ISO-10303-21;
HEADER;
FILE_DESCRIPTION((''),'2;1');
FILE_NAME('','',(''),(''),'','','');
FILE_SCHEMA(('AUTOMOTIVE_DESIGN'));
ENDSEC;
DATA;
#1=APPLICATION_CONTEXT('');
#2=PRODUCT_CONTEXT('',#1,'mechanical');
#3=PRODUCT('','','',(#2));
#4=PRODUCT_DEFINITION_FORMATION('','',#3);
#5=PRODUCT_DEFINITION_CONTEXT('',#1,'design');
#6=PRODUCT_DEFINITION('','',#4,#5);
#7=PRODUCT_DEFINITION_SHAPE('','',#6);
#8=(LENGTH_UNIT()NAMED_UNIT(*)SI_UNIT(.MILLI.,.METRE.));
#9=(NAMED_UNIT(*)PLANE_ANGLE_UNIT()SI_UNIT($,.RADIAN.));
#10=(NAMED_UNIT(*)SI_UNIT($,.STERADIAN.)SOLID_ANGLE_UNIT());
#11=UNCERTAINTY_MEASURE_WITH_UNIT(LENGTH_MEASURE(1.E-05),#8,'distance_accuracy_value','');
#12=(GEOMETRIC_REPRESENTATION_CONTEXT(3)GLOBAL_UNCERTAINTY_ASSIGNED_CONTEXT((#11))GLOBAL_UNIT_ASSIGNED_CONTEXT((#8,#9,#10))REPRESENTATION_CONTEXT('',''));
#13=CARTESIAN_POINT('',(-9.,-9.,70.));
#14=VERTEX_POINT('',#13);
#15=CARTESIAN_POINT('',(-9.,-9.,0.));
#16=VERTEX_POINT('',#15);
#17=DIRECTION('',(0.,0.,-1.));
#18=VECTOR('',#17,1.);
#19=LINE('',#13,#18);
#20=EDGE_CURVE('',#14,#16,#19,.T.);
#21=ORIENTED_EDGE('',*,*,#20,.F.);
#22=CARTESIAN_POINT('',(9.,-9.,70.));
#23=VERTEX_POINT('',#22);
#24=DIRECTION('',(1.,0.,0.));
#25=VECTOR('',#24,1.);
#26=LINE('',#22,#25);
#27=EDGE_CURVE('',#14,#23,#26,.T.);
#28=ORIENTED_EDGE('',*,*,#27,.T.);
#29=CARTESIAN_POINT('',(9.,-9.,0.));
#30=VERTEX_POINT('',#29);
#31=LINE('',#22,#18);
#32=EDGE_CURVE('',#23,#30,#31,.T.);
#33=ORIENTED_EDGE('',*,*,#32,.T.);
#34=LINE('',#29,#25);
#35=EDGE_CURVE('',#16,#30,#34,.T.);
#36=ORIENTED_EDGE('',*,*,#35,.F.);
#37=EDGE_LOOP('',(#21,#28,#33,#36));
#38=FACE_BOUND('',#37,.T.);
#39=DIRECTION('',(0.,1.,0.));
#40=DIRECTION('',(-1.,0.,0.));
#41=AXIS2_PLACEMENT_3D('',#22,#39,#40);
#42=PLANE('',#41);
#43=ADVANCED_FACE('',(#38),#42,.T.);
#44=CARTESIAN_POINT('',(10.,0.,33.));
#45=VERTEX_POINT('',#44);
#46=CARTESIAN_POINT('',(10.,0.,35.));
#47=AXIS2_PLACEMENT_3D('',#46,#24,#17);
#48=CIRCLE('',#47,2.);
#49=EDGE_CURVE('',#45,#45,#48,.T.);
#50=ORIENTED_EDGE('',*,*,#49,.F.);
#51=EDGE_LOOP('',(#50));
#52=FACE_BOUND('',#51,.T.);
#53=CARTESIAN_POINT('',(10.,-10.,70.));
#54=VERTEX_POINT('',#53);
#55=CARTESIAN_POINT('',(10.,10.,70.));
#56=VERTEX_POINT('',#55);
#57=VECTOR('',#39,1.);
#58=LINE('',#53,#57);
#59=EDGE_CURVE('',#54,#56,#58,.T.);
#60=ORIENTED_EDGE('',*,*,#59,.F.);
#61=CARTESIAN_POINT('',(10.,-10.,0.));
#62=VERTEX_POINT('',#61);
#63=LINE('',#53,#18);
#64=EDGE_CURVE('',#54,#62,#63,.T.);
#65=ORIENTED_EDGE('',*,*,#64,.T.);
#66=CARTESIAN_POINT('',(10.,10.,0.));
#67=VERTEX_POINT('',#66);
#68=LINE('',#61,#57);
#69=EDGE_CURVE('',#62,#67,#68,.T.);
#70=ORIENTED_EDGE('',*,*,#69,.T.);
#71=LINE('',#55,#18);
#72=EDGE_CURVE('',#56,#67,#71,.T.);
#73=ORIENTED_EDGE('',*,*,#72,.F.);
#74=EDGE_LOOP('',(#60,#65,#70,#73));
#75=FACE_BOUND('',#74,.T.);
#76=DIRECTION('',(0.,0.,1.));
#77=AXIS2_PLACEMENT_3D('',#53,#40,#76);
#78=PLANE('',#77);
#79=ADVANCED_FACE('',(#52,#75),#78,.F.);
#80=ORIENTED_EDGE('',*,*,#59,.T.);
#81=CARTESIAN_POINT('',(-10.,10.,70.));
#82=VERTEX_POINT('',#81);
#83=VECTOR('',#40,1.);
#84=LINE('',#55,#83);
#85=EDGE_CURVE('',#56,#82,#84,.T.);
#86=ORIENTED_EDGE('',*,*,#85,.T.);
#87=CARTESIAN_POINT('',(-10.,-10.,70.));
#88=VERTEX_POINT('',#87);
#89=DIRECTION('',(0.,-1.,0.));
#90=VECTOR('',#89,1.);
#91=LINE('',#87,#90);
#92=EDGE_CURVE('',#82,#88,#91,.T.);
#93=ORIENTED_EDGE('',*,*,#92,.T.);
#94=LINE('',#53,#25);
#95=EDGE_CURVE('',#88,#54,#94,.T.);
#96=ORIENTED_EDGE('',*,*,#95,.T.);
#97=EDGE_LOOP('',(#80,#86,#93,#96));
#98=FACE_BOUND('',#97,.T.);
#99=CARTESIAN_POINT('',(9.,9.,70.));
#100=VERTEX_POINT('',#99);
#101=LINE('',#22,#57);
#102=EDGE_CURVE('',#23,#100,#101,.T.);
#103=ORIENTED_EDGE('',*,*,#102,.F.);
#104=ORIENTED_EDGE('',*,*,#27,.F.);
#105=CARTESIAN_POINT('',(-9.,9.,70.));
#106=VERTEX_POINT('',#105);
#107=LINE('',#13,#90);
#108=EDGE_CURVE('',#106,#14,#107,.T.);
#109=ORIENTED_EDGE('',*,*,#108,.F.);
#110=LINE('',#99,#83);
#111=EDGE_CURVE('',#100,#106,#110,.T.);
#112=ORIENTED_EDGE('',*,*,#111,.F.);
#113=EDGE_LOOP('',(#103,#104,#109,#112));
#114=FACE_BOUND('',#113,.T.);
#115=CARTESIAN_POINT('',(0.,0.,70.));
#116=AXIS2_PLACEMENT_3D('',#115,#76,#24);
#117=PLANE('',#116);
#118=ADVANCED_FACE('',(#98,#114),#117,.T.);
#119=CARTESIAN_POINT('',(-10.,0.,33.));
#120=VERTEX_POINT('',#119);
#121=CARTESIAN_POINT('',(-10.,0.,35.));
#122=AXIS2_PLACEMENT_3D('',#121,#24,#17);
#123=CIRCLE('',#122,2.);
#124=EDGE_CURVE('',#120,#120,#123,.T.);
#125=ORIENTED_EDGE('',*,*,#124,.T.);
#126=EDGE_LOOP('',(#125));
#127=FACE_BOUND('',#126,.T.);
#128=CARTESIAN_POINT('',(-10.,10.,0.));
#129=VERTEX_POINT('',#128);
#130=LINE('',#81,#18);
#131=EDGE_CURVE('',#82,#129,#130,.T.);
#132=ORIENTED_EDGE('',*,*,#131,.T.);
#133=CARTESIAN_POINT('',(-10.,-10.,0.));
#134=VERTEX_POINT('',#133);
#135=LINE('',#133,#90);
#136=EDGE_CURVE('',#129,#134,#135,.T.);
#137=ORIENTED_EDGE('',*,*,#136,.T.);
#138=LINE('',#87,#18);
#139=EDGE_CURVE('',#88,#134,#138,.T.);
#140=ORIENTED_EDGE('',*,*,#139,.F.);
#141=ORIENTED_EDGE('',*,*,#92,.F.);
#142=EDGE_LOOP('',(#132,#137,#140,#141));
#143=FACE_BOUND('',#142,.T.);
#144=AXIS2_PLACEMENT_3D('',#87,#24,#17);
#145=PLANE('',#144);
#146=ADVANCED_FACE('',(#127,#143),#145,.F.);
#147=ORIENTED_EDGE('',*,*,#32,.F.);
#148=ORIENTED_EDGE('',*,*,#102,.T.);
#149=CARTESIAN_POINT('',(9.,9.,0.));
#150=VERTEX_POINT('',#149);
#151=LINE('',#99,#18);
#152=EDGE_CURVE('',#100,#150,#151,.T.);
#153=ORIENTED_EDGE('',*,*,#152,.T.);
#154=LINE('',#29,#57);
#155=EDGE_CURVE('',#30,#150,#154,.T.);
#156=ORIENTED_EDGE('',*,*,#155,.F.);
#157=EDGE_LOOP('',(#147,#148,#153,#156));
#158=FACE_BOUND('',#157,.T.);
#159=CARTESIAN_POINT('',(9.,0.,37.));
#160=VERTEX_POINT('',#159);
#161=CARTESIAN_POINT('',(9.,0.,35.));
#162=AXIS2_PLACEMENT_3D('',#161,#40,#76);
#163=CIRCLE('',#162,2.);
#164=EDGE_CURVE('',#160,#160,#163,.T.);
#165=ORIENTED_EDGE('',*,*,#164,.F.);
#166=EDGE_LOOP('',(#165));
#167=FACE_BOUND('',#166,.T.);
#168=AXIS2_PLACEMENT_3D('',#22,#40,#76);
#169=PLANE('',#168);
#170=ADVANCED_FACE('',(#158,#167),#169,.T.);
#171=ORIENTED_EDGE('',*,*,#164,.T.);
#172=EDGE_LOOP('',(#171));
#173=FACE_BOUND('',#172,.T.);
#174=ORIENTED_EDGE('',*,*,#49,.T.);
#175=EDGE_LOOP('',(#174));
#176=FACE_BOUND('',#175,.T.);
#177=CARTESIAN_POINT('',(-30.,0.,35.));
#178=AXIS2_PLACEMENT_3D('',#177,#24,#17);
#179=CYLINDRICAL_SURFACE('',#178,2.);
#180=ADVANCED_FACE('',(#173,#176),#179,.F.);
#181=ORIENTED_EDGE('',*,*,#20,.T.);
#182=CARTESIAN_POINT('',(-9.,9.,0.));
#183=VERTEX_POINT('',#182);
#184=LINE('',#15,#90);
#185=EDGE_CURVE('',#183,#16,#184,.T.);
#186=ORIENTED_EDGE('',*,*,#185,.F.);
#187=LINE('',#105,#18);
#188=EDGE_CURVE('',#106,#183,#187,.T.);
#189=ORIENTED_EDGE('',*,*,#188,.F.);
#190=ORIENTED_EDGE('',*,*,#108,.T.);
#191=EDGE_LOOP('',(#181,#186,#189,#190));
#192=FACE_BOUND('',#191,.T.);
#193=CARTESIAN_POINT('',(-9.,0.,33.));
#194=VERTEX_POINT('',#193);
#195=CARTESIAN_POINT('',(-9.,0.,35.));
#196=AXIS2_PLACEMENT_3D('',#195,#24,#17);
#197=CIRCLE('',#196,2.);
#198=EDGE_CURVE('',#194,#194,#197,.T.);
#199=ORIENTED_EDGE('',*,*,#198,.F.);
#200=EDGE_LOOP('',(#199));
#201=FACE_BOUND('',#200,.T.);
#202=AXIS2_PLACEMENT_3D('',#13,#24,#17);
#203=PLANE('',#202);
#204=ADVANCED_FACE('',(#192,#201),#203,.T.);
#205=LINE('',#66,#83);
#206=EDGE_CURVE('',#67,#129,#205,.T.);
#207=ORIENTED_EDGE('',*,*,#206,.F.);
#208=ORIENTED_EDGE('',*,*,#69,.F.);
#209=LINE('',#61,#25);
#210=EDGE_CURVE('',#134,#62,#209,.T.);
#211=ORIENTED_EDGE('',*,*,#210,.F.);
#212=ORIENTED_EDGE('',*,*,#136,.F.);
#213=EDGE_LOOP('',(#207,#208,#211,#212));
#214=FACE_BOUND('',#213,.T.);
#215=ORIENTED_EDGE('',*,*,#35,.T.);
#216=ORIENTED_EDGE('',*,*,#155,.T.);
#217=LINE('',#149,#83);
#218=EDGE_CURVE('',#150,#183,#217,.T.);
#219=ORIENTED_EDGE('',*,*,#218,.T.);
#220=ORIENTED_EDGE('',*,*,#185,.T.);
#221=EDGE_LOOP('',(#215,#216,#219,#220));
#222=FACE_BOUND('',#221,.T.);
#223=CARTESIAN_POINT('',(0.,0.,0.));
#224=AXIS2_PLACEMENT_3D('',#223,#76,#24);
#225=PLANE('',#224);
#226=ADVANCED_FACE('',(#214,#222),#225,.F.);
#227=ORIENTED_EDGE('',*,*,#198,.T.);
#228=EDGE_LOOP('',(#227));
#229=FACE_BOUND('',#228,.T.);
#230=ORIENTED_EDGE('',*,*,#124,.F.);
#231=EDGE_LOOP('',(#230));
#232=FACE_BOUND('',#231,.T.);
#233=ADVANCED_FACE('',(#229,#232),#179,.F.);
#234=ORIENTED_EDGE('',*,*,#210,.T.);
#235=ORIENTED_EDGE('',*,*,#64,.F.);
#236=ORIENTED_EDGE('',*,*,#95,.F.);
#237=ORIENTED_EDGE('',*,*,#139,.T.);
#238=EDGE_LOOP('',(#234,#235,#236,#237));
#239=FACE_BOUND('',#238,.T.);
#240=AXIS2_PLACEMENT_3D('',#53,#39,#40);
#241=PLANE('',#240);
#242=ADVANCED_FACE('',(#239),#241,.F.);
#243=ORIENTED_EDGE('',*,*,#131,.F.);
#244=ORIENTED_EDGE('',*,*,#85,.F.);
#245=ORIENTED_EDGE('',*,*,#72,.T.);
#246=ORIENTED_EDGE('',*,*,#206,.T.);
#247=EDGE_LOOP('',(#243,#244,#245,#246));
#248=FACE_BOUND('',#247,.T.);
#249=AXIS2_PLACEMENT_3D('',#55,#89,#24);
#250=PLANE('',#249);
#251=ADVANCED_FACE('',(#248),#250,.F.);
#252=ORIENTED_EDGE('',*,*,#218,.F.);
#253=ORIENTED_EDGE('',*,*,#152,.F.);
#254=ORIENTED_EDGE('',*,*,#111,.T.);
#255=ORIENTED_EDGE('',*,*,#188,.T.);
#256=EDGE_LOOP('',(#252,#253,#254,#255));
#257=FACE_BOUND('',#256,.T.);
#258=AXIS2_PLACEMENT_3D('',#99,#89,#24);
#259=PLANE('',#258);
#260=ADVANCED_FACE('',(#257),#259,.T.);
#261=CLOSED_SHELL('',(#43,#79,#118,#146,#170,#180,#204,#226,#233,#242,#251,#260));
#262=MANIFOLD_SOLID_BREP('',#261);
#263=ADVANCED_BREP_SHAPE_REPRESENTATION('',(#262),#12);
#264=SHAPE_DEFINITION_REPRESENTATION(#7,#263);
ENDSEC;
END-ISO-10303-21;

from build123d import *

# Parameters (mm, degrees)
ESQUISSE1_W             = 20
ESQUISSE1_H             = 20
ESQUISSE1_W_2           = 18
ESQUISSE1_H_2           = 18
BOSS_EXTRU_1_DEPTH      = 70
ESQUISSE2_R             = 2
ENL_V_MAT_EXTRU_1_DEPTH = 40


with BuildPart() as part:
    # Esquisse1 → Boss.-Extru.1 (new body)
    with BuildSketch(Plane.XY):
        Rectangle(ESQUISSE1_W, ESQUISSE1_H)
        Rectangle(ESQUISSE1_W_2, ESQUISSE1_H_2, mode=Mode.SUBTRACT)
    extrude(amount=BOSS_EXTRU_1_DEPTH)

    # Esquisse2 → Enlèv. mat.-Extru.1 (cut)
    with BuildSketch(Plane(origin=(10, 0, 0), x_dir=(0, 0, -1), z_dir=(1, 0, 0))):
        with Locations((-35, 0)):
            Circle(ESQUISSE2_R)
    extrude(amount=-ENL_V_MAT_EXTRU_1_DEPTH, mode=Mode.SUBTRACT)


solid = part.part
